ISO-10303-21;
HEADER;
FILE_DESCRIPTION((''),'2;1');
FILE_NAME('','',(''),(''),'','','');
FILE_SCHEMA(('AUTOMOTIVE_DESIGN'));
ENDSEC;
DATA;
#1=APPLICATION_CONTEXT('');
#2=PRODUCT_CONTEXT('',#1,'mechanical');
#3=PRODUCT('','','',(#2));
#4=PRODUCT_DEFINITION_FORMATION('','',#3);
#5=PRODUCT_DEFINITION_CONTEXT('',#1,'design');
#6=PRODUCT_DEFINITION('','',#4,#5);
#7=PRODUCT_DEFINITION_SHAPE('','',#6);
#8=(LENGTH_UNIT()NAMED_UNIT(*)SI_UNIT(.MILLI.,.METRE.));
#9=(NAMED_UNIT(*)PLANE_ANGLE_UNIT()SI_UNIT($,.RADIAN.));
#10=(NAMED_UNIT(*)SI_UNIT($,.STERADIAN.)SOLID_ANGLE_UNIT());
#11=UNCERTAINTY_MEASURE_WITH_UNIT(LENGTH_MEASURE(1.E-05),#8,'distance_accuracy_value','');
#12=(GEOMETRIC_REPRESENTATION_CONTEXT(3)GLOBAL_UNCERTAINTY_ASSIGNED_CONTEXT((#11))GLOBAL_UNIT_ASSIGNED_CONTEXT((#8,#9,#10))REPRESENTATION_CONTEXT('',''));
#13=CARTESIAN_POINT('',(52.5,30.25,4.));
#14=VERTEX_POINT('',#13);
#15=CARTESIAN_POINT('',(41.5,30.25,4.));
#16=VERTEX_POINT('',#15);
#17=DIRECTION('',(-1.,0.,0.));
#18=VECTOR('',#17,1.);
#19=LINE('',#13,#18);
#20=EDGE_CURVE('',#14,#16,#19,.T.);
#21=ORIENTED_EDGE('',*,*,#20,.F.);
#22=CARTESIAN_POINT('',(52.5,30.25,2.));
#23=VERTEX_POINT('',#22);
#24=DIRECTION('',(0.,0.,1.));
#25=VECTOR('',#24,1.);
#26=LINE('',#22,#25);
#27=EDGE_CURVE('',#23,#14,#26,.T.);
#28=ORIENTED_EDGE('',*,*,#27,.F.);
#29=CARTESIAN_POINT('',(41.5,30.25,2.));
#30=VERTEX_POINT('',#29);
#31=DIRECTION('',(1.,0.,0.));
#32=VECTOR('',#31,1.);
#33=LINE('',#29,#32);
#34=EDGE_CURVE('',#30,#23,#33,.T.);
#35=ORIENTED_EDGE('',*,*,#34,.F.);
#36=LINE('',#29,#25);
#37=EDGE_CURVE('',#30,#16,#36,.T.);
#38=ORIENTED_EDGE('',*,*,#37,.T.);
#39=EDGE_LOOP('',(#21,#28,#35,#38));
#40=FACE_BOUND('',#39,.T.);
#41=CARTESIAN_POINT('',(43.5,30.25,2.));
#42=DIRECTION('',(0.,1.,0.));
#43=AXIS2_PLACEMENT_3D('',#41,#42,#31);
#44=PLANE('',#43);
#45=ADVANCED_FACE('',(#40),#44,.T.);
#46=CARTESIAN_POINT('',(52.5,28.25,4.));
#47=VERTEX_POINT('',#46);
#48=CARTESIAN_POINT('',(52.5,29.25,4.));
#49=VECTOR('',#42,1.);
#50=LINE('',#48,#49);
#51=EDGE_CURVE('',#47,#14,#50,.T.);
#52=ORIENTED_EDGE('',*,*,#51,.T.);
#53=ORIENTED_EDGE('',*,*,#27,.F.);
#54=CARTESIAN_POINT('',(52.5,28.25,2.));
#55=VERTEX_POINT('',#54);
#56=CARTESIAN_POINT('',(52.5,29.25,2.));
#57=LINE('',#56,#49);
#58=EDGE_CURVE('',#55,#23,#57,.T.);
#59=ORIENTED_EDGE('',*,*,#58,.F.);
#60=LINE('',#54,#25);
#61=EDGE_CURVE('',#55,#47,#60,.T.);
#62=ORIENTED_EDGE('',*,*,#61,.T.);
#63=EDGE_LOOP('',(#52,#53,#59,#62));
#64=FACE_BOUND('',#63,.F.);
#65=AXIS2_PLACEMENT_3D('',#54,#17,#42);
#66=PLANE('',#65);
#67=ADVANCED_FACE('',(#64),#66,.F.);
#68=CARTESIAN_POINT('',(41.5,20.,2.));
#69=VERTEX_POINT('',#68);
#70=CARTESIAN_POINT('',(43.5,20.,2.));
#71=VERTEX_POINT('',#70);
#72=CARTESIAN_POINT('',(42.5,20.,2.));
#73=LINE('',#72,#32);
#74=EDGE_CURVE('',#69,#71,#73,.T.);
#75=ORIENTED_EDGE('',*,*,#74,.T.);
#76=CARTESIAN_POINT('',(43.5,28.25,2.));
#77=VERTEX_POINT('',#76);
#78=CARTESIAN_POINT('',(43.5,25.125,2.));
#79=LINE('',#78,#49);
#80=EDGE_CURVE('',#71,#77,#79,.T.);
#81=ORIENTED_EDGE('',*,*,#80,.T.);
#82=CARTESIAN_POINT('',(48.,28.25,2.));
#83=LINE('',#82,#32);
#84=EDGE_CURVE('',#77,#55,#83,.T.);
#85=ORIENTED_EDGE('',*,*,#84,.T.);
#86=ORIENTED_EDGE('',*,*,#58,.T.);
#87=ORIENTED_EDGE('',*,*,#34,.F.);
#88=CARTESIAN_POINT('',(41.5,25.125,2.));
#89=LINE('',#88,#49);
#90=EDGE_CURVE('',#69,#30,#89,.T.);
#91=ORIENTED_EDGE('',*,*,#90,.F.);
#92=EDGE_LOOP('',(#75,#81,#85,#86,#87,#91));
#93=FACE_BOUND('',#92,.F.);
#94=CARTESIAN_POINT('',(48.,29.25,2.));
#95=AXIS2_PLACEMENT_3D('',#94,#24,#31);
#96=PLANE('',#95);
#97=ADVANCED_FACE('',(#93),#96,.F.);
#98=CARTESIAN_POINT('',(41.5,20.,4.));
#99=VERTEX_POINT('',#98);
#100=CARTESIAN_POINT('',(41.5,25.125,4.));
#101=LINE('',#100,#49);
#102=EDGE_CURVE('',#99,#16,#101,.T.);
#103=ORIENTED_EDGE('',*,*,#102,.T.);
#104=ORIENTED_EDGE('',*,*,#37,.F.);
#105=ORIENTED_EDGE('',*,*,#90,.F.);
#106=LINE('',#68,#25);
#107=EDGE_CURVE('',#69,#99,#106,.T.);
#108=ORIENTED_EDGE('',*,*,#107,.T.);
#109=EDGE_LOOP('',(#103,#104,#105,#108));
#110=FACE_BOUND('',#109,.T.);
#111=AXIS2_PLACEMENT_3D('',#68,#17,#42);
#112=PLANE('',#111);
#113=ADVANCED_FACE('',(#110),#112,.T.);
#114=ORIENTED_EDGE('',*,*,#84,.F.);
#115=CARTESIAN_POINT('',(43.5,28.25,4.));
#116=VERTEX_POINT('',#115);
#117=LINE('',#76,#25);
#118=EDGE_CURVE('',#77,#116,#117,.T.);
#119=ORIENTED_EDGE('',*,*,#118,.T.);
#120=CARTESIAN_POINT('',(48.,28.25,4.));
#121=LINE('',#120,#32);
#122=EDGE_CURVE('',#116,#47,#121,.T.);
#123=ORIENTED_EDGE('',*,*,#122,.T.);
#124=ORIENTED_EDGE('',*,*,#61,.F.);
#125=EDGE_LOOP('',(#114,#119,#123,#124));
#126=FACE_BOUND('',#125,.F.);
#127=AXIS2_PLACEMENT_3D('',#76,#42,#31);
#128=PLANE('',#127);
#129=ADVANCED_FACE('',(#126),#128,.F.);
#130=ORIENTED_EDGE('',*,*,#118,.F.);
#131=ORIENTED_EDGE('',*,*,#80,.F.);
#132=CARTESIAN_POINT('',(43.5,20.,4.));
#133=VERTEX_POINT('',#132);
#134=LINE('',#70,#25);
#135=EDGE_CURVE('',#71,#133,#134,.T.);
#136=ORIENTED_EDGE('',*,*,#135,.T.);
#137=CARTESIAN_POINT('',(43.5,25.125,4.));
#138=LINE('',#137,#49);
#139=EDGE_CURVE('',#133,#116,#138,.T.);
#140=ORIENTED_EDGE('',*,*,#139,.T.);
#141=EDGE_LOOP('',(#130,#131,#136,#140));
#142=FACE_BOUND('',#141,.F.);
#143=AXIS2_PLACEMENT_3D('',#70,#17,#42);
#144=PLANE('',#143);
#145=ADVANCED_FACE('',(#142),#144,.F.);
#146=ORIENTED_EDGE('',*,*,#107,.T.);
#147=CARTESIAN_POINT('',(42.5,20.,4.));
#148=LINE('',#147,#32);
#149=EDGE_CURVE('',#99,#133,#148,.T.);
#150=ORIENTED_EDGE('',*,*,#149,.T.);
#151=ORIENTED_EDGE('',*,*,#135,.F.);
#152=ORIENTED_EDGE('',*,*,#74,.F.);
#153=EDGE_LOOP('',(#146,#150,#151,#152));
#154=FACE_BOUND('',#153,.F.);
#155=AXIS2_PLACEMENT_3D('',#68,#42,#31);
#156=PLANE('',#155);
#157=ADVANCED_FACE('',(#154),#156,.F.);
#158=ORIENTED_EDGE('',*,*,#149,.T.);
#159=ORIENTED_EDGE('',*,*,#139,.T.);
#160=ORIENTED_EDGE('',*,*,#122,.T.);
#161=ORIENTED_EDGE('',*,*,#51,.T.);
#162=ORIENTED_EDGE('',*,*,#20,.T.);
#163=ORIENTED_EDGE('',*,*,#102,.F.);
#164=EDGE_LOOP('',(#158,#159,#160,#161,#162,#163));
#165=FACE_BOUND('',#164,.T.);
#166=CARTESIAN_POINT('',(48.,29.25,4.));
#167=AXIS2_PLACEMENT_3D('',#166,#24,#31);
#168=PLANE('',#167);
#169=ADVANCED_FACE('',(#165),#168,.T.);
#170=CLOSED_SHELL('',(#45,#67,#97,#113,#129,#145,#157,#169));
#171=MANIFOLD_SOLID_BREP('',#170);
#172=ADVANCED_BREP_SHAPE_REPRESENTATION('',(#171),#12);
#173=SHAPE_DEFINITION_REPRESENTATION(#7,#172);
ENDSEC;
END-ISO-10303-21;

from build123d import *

# Parameters (mm, degrees)
BOX162_W     = 9
BOX162_H     = 2
BOX162_DEPTH = 2
BOX160_W     = 2
BOX160_H     = 10.25
BOX160_DEPTH = 2


with BuildPart() as cube151:
    # Box162 → Box162 (new body)
    with BuildSketch(Plane(origin=(43.5, 28.25, 2), x_dir=(1, 0, 0), z_dir=(0, 0, 1))):
        with Locations((4.5, 1)):
            Rectangle(BOX162_W, BOX162_H)
    extrude(amount=BOX162_DEPTH)


with BuildPart() as fusion050:
    # Box160 → Box160 (new body)
    with BuildSketch(Plane(origin=(41.5, 20, 2), x_dir=(1, 0, 0), z_dir=(0, 0, 1))):
        with Locations((1, 5.125)):
            Rectangle(BOX160_W, BOX160_H)
    extrude(amount=BOX160_DEPTH)

    # Fusion050: union Cube151
    add(cube151.part)


solid = fusion050.part
